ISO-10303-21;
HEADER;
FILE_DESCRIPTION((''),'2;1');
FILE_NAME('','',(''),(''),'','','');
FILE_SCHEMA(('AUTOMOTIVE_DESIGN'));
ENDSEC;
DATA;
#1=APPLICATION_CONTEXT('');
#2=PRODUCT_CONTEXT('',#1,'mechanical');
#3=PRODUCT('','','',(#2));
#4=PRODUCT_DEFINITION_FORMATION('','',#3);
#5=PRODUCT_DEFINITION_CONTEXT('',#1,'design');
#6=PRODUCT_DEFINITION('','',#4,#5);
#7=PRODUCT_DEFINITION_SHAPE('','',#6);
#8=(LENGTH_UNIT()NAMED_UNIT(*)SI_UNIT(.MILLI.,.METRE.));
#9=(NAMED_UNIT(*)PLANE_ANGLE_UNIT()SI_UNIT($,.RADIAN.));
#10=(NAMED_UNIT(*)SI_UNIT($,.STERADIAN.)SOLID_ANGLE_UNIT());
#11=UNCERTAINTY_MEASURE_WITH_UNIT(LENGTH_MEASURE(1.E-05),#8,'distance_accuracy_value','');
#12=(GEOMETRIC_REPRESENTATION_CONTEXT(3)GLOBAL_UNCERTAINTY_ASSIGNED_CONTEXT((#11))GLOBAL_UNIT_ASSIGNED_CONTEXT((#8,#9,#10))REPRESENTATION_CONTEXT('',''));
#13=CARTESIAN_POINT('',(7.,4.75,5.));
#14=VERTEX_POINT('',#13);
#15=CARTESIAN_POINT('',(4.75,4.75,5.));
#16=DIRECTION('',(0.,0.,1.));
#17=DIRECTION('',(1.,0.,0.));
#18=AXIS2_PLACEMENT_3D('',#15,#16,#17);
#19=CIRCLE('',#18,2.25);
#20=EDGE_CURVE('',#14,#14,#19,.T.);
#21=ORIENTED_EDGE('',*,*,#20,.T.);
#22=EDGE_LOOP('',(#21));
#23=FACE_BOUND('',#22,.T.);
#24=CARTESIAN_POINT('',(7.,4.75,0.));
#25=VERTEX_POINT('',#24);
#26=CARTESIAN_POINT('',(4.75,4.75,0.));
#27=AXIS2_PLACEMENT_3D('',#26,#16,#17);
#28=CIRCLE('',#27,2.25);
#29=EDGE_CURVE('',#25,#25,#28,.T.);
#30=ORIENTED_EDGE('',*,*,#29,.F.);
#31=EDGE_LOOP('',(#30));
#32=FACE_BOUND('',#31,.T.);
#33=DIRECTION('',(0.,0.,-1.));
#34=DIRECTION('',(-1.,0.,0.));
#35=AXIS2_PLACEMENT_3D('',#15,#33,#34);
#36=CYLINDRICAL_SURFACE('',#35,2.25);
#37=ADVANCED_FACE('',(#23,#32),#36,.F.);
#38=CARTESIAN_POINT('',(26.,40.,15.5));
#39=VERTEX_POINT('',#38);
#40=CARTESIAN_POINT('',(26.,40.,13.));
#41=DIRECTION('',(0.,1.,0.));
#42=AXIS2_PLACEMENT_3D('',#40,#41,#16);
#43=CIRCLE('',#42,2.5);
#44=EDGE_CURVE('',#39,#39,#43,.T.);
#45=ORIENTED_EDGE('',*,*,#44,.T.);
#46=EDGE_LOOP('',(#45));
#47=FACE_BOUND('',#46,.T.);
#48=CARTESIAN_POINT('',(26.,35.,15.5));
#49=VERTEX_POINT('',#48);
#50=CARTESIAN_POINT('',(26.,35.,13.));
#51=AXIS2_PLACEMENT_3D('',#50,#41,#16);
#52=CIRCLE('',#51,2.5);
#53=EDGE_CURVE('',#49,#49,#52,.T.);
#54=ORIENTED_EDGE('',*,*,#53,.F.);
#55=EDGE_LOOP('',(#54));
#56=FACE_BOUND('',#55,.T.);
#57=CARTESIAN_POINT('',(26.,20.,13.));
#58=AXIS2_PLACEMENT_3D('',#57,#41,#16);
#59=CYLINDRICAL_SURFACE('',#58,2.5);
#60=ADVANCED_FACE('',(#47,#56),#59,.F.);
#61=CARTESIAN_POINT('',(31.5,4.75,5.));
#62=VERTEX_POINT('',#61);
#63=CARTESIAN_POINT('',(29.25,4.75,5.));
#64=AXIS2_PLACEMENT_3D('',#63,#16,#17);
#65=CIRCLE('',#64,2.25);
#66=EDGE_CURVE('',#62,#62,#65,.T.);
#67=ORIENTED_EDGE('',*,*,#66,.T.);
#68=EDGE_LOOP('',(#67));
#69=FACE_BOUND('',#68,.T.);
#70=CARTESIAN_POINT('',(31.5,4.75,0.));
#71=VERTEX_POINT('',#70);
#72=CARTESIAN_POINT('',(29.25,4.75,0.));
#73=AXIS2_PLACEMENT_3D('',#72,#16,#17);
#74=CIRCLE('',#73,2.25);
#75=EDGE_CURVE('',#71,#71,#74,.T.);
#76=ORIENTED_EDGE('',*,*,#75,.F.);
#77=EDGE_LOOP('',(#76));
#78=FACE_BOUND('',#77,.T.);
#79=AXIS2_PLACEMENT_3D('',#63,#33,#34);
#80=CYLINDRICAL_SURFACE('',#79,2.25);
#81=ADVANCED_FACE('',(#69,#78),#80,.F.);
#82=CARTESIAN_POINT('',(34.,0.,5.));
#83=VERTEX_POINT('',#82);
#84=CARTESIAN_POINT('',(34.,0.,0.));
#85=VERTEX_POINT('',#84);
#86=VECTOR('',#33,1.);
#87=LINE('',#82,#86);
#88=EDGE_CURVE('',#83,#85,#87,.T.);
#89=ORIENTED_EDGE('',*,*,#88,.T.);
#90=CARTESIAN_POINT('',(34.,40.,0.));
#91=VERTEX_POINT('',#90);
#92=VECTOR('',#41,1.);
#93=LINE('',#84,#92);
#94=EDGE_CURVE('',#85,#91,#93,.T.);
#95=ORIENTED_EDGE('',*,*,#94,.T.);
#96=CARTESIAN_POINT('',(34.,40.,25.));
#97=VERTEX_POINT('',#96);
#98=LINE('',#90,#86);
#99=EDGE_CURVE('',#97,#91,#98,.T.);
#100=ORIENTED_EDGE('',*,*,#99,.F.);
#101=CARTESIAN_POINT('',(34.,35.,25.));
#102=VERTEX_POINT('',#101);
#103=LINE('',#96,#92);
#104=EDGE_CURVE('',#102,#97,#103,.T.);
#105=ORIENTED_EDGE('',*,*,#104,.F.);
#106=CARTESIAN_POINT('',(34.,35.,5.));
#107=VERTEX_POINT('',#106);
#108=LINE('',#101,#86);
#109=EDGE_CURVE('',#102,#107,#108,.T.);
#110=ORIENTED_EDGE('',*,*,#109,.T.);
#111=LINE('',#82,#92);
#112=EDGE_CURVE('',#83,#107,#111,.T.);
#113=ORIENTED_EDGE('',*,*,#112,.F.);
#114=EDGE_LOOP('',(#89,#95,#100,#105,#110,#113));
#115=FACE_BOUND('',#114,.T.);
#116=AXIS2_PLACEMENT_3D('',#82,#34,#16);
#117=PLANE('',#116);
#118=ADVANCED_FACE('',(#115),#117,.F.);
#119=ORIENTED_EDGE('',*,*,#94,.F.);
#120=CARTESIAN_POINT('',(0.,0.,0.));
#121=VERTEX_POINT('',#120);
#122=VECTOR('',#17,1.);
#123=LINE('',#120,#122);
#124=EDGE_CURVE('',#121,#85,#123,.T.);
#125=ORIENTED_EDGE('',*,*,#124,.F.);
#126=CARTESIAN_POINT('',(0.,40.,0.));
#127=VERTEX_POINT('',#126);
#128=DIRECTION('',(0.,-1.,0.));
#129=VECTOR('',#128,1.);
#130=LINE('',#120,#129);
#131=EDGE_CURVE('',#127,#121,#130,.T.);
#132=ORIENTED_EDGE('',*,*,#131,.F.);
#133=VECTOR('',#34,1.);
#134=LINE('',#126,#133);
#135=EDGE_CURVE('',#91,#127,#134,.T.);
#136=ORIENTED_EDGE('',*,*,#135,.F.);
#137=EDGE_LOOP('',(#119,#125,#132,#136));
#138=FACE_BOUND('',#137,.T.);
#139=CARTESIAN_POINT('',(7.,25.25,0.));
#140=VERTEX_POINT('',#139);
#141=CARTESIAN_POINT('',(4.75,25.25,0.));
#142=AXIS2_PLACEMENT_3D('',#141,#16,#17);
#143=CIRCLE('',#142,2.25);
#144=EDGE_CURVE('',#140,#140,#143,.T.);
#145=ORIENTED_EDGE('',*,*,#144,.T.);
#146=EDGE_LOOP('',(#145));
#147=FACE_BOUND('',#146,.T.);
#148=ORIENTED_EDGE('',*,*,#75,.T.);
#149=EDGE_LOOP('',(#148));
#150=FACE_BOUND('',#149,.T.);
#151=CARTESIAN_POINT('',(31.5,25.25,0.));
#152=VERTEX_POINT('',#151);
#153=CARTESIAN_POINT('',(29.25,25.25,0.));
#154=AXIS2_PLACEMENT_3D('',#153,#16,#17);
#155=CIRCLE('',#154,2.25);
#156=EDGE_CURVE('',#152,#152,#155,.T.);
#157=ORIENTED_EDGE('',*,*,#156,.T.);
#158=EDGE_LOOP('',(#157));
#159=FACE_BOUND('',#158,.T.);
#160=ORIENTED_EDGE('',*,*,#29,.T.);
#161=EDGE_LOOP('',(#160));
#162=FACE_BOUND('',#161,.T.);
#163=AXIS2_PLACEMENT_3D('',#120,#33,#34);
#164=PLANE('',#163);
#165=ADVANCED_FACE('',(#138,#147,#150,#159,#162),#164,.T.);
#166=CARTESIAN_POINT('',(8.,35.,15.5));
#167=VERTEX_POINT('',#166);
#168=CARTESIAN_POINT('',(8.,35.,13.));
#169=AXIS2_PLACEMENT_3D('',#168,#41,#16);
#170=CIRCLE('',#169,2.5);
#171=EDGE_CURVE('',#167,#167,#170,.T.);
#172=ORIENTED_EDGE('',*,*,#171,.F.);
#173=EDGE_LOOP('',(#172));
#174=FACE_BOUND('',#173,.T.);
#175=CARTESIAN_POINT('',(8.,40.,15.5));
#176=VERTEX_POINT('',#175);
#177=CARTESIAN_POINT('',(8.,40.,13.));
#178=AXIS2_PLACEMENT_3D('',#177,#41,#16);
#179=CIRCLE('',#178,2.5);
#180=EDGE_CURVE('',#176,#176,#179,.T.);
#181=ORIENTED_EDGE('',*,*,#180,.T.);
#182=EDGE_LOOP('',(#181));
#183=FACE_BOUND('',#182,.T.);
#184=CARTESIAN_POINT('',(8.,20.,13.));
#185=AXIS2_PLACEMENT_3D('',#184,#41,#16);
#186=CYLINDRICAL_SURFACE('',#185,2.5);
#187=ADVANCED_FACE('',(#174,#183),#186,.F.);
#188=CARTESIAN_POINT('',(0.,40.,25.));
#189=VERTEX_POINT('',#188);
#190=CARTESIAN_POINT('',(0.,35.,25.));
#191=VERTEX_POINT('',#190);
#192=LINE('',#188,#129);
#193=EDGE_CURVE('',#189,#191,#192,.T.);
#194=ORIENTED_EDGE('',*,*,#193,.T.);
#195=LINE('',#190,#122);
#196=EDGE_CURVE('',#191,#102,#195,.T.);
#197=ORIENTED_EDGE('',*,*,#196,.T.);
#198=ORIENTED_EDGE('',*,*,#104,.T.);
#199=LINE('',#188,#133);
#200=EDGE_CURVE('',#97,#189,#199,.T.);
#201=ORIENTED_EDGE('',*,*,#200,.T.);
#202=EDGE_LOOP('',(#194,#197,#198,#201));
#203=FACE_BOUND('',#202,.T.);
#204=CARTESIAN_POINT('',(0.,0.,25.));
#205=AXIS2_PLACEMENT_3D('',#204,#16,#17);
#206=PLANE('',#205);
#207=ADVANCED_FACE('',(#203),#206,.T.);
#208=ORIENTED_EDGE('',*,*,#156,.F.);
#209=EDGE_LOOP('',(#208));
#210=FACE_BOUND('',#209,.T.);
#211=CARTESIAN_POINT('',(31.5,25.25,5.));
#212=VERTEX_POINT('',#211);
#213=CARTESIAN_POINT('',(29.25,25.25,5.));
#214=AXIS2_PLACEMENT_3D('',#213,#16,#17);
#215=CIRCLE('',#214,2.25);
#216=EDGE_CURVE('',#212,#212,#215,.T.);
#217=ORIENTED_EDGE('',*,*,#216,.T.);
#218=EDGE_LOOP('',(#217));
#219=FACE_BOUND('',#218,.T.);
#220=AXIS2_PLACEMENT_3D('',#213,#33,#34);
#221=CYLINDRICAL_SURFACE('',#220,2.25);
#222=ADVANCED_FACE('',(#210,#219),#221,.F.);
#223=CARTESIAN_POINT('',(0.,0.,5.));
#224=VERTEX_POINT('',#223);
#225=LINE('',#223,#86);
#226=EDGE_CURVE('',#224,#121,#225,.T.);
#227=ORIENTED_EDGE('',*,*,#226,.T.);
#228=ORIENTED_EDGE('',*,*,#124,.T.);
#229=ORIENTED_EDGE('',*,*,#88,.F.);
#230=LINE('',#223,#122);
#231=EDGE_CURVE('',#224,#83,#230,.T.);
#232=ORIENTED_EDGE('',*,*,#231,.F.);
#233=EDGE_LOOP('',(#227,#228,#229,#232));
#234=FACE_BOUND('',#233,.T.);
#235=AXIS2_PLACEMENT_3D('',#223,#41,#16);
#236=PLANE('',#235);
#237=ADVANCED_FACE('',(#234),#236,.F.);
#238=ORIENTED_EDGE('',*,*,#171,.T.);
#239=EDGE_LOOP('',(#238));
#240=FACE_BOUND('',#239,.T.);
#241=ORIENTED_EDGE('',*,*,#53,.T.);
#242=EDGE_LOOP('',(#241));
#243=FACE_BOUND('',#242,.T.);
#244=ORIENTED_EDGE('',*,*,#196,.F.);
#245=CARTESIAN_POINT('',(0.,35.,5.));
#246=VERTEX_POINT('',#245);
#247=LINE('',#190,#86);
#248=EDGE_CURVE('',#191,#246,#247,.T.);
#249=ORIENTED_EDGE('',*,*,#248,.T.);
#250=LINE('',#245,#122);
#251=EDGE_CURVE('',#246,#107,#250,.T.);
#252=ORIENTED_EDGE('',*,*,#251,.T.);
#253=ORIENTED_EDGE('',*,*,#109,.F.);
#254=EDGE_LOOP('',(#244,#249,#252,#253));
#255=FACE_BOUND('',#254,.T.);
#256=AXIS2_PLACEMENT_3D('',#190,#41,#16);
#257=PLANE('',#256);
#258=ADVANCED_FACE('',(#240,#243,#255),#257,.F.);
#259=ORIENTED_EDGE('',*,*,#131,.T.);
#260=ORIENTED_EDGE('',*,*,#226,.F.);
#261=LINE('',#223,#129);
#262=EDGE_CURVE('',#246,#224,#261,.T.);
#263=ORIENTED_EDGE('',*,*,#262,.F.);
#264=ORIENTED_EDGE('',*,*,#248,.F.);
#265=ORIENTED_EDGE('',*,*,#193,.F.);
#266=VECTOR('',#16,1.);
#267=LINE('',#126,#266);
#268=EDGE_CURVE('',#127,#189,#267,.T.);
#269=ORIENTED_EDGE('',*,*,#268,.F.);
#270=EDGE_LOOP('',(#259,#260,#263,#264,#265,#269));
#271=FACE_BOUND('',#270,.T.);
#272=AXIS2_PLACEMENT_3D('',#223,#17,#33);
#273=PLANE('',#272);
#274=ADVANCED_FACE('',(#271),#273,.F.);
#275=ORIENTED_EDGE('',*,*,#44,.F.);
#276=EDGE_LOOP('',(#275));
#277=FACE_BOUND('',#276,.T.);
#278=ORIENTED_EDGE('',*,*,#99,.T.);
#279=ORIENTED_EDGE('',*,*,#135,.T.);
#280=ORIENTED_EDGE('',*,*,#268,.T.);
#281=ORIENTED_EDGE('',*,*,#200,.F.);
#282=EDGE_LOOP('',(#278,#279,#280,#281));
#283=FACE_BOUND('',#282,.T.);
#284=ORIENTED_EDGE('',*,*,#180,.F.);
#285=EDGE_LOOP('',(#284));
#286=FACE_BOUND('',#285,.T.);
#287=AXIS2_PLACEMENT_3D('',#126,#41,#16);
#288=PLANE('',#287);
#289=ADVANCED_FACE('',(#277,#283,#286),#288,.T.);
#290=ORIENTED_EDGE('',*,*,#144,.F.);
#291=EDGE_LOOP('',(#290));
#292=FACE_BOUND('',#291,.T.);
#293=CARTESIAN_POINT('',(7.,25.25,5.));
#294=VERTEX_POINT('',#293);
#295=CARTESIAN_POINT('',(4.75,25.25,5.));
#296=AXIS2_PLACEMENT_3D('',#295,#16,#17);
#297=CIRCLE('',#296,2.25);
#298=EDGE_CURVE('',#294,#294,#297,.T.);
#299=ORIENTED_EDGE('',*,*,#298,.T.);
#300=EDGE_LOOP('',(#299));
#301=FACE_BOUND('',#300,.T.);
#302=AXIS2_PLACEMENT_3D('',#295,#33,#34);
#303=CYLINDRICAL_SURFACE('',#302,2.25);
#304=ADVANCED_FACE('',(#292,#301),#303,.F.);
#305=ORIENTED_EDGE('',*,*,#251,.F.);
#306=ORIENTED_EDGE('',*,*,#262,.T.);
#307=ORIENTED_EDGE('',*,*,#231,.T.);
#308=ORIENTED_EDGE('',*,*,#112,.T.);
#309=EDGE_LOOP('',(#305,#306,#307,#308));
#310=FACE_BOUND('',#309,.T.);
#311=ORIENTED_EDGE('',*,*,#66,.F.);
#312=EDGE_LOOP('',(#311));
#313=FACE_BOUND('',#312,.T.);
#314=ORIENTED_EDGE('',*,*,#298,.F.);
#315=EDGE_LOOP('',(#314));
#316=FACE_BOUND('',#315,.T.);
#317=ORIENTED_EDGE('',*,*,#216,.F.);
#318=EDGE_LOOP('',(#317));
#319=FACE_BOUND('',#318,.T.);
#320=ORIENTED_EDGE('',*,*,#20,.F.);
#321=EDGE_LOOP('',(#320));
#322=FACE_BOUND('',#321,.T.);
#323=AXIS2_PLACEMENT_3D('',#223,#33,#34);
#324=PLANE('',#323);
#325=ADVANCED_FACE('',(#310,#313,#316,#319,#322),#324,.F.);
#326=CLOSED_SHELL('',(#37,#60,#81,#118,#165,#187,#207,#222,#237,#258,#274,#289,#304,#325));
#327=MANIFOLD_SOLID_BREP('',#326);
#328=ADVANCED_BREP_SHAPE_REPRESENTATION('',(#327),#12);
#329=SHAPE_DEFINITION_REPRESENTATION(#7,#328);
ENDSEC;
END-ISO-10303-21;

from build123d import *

# Parameters (mm, degrees)
SKETCH1_W           = 34
SKETCH1_H           = 30
SKETCH1_R           = 2.25
BOSS_EXTRUDE1_DEPTH = 5
SKETCH2_W           = 34
SKETCH2_H           = 5
BOSS_EXTRUDE2_DEPTH = 10
SKETCH3_W           = 34
SKETCH3_H           = 5
BOSS_EXTRUDE3_DEPTH = 20
SKETCH4_R           = 2.5
CUT_EXTRUDE1_DEPTH  = 20


with BuildPart() as part:
    # Sketch1 → Boss-Extrude1 (new body)
    with BuildSketch(Plane.XY):
        with Locations((17, 15)):
            Rectangle(SKETCH1_W, SKETCH1_H)
        with Locations((4.75, 25.25)):
            Circle(SKETCH1_R, mode=Mode.SUBTRACT)
        with Locations((29.25, 25.25)):
            Circle(SKETCH1_R, mode=Mode.SUBTRACT)
        with Locations((29.25, 4.75)):
            Circle(SKETCH1_R, mode=Mode.SUBTRACT)
        with Locations((4.75, 4.75)):
            Circle(SKETCH1_R, mode=Mode.SUBTRACT)
    extrude(amount=BOSS_EXTRUDE1_DEPTH)

    # Sketch2 → Boss-Extrude2 (add)
    with BuildSketch(Plane(origin=(0, 30, 0), x_dir=(1, 0, 0), z_dir=(0, 1, 0))):
        with Locations((17, -2.5)):
            Rectangle(SKETCH2_W, SKETCH2_H)
    extrude(amount=BOSS_EXTRUDE2_DEPTH)

    # Sketch3 → Boss-Extrude3 (add)
    with BuildSketch(Plane.XY.offset(5)):
        with Locations((17, 37.5)):
            Rectangle(SKETCH3_W, SKETCH3_H)
    extrude(amount=BOSS_EXTRUDE3_DEPTH)

    # Sketch4 → Cut-Extrude1 (cut)
    with BuildSketch(Plane(origin=(0, 40, 0), x_dir=(1, 0, 0), z_dir=(0, 1, 0))):
        with Locations(Location((8, -13, 0), (0, 0, 270))):
            Circle(SKETCH4_R)
        with Locations(Location((26, -13, 0), (0, 0, 270))):
            Circle(SKETCH4_R)
    extrude(amount=-CUT_EXTRUDE1_DEPTH, mode=Mode.SUBTRACT)


solid = part.part
